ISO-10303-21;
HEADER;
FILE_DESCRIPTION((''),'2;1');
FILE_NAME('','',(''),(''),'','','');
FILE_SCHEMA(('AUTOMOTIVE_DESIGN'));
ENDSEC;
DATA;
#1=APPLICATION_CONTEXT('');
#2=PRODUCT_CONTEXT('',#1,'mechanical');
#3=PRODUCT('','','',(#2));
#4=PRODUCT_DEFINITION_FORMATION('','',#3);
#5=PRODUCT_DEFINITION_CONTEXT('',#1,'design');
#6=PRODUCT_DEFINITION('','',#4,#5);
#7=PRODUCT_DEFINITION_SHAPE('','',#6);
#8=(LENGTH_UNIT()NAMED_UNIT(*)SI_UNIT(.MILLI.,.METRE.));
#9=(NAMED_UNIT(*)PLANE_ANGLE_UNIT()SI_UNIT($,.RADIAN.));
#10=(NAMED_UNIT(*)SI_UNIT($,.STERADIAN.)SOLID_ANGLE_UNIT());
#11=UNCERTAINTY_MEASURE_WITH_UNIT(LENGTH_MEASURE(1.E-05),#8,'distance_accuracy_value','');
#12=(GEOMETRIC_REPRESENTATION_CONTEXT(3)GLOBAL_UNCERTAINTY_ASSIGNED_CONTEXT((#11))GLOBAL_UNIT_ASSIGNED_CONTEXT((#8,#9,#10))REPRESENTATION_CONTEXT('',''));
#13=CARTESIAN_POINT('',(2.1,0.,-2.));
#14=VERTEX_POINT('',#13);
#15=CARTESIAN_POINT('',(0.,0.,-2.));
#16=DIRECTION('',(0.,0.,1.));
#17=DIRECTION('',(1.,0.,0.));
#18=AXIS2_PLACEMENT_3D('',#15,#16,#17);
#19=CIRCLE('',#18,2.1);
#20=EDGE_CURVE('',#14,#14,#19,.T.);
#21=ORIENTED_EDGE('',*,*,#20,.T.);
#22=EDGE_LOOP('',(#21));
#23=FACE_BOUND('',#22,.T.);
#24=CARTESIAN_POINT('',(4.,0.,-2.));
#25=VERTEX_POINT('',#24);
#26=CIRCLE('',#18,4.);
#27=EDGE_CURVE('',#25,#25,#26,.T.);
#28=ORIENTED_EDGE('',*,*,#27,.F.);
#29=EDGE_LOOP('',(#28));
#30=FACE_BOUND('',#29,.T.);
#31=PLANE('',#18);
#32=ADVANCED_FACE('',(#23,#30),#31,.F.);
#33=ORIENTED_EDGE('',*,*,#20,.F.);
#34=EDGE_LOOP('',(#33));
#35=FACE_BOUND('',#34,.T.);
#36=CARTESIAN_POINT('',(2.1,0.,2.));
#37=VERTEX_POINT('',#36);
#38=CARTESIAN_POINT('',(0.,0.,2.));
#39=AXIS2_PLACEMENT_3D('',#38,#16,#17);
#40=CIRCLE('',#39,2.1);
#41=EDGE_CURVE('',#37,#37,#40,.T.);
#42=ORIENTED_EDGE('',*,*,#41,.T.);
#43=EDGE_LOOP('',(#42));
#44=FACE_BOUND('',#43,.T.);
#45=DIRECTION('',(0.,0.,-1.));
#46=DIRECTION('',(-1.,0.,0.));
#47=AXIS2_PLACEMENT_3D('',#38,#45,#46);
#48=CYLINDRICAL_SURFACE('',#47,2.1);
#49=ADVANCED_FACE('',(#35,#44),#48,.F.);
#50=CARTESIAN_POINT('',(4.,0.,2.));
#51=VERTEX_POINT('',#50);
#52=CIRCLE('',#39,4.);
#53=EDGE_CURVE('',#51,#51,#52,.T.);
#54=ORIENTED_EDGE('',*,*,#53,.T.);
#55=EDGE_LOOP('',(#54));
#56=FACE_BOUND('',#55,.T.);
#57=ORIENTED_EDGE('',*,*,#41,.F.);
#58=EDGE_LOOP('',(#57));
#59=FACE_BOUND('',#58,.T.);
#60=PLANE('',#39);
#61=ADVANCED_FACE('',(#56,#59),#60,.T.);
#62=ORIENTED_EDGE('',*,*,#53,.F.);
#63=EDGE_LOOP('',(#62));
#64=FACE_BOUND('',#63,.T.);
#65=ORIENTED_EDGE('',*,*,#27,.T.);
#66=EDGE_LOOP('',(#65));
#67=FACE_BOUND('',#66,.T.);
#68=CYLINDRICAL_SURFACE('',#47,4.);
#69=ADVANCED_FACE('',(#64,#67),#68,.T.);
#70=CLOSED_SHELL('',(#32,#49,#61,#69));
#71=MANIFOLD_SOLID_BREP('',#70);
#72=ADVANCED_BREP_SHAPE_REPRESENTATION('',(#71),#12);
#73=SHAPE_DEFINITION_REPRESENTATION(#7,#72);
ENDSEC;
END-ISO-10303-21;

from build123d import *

# Parameters (mm, degrees)
SKETCH1_R           = 4
SKETCH1_R_2         = 2.1
EXTRUDE1_DEPTH      = 2
EXTRUDE1_DEPTH_BACK = 2


with BuildPart() as part:
    # Sketch1 → Extrude1 (new body, two sides)
    with BuildSketch(Plane.XY) as extrude1_sk:
        Circle(SKETCH1_R)
        Circle(SKETCH1_R_2, mode=Mode.SUBTRACT)
    extrude(amount=EXTRUDE1_DEPTH)
    extrude(extrude1_sk.sketch, amount=-EXTRUDE1_DEPTH_BACK)


solid = part.part
